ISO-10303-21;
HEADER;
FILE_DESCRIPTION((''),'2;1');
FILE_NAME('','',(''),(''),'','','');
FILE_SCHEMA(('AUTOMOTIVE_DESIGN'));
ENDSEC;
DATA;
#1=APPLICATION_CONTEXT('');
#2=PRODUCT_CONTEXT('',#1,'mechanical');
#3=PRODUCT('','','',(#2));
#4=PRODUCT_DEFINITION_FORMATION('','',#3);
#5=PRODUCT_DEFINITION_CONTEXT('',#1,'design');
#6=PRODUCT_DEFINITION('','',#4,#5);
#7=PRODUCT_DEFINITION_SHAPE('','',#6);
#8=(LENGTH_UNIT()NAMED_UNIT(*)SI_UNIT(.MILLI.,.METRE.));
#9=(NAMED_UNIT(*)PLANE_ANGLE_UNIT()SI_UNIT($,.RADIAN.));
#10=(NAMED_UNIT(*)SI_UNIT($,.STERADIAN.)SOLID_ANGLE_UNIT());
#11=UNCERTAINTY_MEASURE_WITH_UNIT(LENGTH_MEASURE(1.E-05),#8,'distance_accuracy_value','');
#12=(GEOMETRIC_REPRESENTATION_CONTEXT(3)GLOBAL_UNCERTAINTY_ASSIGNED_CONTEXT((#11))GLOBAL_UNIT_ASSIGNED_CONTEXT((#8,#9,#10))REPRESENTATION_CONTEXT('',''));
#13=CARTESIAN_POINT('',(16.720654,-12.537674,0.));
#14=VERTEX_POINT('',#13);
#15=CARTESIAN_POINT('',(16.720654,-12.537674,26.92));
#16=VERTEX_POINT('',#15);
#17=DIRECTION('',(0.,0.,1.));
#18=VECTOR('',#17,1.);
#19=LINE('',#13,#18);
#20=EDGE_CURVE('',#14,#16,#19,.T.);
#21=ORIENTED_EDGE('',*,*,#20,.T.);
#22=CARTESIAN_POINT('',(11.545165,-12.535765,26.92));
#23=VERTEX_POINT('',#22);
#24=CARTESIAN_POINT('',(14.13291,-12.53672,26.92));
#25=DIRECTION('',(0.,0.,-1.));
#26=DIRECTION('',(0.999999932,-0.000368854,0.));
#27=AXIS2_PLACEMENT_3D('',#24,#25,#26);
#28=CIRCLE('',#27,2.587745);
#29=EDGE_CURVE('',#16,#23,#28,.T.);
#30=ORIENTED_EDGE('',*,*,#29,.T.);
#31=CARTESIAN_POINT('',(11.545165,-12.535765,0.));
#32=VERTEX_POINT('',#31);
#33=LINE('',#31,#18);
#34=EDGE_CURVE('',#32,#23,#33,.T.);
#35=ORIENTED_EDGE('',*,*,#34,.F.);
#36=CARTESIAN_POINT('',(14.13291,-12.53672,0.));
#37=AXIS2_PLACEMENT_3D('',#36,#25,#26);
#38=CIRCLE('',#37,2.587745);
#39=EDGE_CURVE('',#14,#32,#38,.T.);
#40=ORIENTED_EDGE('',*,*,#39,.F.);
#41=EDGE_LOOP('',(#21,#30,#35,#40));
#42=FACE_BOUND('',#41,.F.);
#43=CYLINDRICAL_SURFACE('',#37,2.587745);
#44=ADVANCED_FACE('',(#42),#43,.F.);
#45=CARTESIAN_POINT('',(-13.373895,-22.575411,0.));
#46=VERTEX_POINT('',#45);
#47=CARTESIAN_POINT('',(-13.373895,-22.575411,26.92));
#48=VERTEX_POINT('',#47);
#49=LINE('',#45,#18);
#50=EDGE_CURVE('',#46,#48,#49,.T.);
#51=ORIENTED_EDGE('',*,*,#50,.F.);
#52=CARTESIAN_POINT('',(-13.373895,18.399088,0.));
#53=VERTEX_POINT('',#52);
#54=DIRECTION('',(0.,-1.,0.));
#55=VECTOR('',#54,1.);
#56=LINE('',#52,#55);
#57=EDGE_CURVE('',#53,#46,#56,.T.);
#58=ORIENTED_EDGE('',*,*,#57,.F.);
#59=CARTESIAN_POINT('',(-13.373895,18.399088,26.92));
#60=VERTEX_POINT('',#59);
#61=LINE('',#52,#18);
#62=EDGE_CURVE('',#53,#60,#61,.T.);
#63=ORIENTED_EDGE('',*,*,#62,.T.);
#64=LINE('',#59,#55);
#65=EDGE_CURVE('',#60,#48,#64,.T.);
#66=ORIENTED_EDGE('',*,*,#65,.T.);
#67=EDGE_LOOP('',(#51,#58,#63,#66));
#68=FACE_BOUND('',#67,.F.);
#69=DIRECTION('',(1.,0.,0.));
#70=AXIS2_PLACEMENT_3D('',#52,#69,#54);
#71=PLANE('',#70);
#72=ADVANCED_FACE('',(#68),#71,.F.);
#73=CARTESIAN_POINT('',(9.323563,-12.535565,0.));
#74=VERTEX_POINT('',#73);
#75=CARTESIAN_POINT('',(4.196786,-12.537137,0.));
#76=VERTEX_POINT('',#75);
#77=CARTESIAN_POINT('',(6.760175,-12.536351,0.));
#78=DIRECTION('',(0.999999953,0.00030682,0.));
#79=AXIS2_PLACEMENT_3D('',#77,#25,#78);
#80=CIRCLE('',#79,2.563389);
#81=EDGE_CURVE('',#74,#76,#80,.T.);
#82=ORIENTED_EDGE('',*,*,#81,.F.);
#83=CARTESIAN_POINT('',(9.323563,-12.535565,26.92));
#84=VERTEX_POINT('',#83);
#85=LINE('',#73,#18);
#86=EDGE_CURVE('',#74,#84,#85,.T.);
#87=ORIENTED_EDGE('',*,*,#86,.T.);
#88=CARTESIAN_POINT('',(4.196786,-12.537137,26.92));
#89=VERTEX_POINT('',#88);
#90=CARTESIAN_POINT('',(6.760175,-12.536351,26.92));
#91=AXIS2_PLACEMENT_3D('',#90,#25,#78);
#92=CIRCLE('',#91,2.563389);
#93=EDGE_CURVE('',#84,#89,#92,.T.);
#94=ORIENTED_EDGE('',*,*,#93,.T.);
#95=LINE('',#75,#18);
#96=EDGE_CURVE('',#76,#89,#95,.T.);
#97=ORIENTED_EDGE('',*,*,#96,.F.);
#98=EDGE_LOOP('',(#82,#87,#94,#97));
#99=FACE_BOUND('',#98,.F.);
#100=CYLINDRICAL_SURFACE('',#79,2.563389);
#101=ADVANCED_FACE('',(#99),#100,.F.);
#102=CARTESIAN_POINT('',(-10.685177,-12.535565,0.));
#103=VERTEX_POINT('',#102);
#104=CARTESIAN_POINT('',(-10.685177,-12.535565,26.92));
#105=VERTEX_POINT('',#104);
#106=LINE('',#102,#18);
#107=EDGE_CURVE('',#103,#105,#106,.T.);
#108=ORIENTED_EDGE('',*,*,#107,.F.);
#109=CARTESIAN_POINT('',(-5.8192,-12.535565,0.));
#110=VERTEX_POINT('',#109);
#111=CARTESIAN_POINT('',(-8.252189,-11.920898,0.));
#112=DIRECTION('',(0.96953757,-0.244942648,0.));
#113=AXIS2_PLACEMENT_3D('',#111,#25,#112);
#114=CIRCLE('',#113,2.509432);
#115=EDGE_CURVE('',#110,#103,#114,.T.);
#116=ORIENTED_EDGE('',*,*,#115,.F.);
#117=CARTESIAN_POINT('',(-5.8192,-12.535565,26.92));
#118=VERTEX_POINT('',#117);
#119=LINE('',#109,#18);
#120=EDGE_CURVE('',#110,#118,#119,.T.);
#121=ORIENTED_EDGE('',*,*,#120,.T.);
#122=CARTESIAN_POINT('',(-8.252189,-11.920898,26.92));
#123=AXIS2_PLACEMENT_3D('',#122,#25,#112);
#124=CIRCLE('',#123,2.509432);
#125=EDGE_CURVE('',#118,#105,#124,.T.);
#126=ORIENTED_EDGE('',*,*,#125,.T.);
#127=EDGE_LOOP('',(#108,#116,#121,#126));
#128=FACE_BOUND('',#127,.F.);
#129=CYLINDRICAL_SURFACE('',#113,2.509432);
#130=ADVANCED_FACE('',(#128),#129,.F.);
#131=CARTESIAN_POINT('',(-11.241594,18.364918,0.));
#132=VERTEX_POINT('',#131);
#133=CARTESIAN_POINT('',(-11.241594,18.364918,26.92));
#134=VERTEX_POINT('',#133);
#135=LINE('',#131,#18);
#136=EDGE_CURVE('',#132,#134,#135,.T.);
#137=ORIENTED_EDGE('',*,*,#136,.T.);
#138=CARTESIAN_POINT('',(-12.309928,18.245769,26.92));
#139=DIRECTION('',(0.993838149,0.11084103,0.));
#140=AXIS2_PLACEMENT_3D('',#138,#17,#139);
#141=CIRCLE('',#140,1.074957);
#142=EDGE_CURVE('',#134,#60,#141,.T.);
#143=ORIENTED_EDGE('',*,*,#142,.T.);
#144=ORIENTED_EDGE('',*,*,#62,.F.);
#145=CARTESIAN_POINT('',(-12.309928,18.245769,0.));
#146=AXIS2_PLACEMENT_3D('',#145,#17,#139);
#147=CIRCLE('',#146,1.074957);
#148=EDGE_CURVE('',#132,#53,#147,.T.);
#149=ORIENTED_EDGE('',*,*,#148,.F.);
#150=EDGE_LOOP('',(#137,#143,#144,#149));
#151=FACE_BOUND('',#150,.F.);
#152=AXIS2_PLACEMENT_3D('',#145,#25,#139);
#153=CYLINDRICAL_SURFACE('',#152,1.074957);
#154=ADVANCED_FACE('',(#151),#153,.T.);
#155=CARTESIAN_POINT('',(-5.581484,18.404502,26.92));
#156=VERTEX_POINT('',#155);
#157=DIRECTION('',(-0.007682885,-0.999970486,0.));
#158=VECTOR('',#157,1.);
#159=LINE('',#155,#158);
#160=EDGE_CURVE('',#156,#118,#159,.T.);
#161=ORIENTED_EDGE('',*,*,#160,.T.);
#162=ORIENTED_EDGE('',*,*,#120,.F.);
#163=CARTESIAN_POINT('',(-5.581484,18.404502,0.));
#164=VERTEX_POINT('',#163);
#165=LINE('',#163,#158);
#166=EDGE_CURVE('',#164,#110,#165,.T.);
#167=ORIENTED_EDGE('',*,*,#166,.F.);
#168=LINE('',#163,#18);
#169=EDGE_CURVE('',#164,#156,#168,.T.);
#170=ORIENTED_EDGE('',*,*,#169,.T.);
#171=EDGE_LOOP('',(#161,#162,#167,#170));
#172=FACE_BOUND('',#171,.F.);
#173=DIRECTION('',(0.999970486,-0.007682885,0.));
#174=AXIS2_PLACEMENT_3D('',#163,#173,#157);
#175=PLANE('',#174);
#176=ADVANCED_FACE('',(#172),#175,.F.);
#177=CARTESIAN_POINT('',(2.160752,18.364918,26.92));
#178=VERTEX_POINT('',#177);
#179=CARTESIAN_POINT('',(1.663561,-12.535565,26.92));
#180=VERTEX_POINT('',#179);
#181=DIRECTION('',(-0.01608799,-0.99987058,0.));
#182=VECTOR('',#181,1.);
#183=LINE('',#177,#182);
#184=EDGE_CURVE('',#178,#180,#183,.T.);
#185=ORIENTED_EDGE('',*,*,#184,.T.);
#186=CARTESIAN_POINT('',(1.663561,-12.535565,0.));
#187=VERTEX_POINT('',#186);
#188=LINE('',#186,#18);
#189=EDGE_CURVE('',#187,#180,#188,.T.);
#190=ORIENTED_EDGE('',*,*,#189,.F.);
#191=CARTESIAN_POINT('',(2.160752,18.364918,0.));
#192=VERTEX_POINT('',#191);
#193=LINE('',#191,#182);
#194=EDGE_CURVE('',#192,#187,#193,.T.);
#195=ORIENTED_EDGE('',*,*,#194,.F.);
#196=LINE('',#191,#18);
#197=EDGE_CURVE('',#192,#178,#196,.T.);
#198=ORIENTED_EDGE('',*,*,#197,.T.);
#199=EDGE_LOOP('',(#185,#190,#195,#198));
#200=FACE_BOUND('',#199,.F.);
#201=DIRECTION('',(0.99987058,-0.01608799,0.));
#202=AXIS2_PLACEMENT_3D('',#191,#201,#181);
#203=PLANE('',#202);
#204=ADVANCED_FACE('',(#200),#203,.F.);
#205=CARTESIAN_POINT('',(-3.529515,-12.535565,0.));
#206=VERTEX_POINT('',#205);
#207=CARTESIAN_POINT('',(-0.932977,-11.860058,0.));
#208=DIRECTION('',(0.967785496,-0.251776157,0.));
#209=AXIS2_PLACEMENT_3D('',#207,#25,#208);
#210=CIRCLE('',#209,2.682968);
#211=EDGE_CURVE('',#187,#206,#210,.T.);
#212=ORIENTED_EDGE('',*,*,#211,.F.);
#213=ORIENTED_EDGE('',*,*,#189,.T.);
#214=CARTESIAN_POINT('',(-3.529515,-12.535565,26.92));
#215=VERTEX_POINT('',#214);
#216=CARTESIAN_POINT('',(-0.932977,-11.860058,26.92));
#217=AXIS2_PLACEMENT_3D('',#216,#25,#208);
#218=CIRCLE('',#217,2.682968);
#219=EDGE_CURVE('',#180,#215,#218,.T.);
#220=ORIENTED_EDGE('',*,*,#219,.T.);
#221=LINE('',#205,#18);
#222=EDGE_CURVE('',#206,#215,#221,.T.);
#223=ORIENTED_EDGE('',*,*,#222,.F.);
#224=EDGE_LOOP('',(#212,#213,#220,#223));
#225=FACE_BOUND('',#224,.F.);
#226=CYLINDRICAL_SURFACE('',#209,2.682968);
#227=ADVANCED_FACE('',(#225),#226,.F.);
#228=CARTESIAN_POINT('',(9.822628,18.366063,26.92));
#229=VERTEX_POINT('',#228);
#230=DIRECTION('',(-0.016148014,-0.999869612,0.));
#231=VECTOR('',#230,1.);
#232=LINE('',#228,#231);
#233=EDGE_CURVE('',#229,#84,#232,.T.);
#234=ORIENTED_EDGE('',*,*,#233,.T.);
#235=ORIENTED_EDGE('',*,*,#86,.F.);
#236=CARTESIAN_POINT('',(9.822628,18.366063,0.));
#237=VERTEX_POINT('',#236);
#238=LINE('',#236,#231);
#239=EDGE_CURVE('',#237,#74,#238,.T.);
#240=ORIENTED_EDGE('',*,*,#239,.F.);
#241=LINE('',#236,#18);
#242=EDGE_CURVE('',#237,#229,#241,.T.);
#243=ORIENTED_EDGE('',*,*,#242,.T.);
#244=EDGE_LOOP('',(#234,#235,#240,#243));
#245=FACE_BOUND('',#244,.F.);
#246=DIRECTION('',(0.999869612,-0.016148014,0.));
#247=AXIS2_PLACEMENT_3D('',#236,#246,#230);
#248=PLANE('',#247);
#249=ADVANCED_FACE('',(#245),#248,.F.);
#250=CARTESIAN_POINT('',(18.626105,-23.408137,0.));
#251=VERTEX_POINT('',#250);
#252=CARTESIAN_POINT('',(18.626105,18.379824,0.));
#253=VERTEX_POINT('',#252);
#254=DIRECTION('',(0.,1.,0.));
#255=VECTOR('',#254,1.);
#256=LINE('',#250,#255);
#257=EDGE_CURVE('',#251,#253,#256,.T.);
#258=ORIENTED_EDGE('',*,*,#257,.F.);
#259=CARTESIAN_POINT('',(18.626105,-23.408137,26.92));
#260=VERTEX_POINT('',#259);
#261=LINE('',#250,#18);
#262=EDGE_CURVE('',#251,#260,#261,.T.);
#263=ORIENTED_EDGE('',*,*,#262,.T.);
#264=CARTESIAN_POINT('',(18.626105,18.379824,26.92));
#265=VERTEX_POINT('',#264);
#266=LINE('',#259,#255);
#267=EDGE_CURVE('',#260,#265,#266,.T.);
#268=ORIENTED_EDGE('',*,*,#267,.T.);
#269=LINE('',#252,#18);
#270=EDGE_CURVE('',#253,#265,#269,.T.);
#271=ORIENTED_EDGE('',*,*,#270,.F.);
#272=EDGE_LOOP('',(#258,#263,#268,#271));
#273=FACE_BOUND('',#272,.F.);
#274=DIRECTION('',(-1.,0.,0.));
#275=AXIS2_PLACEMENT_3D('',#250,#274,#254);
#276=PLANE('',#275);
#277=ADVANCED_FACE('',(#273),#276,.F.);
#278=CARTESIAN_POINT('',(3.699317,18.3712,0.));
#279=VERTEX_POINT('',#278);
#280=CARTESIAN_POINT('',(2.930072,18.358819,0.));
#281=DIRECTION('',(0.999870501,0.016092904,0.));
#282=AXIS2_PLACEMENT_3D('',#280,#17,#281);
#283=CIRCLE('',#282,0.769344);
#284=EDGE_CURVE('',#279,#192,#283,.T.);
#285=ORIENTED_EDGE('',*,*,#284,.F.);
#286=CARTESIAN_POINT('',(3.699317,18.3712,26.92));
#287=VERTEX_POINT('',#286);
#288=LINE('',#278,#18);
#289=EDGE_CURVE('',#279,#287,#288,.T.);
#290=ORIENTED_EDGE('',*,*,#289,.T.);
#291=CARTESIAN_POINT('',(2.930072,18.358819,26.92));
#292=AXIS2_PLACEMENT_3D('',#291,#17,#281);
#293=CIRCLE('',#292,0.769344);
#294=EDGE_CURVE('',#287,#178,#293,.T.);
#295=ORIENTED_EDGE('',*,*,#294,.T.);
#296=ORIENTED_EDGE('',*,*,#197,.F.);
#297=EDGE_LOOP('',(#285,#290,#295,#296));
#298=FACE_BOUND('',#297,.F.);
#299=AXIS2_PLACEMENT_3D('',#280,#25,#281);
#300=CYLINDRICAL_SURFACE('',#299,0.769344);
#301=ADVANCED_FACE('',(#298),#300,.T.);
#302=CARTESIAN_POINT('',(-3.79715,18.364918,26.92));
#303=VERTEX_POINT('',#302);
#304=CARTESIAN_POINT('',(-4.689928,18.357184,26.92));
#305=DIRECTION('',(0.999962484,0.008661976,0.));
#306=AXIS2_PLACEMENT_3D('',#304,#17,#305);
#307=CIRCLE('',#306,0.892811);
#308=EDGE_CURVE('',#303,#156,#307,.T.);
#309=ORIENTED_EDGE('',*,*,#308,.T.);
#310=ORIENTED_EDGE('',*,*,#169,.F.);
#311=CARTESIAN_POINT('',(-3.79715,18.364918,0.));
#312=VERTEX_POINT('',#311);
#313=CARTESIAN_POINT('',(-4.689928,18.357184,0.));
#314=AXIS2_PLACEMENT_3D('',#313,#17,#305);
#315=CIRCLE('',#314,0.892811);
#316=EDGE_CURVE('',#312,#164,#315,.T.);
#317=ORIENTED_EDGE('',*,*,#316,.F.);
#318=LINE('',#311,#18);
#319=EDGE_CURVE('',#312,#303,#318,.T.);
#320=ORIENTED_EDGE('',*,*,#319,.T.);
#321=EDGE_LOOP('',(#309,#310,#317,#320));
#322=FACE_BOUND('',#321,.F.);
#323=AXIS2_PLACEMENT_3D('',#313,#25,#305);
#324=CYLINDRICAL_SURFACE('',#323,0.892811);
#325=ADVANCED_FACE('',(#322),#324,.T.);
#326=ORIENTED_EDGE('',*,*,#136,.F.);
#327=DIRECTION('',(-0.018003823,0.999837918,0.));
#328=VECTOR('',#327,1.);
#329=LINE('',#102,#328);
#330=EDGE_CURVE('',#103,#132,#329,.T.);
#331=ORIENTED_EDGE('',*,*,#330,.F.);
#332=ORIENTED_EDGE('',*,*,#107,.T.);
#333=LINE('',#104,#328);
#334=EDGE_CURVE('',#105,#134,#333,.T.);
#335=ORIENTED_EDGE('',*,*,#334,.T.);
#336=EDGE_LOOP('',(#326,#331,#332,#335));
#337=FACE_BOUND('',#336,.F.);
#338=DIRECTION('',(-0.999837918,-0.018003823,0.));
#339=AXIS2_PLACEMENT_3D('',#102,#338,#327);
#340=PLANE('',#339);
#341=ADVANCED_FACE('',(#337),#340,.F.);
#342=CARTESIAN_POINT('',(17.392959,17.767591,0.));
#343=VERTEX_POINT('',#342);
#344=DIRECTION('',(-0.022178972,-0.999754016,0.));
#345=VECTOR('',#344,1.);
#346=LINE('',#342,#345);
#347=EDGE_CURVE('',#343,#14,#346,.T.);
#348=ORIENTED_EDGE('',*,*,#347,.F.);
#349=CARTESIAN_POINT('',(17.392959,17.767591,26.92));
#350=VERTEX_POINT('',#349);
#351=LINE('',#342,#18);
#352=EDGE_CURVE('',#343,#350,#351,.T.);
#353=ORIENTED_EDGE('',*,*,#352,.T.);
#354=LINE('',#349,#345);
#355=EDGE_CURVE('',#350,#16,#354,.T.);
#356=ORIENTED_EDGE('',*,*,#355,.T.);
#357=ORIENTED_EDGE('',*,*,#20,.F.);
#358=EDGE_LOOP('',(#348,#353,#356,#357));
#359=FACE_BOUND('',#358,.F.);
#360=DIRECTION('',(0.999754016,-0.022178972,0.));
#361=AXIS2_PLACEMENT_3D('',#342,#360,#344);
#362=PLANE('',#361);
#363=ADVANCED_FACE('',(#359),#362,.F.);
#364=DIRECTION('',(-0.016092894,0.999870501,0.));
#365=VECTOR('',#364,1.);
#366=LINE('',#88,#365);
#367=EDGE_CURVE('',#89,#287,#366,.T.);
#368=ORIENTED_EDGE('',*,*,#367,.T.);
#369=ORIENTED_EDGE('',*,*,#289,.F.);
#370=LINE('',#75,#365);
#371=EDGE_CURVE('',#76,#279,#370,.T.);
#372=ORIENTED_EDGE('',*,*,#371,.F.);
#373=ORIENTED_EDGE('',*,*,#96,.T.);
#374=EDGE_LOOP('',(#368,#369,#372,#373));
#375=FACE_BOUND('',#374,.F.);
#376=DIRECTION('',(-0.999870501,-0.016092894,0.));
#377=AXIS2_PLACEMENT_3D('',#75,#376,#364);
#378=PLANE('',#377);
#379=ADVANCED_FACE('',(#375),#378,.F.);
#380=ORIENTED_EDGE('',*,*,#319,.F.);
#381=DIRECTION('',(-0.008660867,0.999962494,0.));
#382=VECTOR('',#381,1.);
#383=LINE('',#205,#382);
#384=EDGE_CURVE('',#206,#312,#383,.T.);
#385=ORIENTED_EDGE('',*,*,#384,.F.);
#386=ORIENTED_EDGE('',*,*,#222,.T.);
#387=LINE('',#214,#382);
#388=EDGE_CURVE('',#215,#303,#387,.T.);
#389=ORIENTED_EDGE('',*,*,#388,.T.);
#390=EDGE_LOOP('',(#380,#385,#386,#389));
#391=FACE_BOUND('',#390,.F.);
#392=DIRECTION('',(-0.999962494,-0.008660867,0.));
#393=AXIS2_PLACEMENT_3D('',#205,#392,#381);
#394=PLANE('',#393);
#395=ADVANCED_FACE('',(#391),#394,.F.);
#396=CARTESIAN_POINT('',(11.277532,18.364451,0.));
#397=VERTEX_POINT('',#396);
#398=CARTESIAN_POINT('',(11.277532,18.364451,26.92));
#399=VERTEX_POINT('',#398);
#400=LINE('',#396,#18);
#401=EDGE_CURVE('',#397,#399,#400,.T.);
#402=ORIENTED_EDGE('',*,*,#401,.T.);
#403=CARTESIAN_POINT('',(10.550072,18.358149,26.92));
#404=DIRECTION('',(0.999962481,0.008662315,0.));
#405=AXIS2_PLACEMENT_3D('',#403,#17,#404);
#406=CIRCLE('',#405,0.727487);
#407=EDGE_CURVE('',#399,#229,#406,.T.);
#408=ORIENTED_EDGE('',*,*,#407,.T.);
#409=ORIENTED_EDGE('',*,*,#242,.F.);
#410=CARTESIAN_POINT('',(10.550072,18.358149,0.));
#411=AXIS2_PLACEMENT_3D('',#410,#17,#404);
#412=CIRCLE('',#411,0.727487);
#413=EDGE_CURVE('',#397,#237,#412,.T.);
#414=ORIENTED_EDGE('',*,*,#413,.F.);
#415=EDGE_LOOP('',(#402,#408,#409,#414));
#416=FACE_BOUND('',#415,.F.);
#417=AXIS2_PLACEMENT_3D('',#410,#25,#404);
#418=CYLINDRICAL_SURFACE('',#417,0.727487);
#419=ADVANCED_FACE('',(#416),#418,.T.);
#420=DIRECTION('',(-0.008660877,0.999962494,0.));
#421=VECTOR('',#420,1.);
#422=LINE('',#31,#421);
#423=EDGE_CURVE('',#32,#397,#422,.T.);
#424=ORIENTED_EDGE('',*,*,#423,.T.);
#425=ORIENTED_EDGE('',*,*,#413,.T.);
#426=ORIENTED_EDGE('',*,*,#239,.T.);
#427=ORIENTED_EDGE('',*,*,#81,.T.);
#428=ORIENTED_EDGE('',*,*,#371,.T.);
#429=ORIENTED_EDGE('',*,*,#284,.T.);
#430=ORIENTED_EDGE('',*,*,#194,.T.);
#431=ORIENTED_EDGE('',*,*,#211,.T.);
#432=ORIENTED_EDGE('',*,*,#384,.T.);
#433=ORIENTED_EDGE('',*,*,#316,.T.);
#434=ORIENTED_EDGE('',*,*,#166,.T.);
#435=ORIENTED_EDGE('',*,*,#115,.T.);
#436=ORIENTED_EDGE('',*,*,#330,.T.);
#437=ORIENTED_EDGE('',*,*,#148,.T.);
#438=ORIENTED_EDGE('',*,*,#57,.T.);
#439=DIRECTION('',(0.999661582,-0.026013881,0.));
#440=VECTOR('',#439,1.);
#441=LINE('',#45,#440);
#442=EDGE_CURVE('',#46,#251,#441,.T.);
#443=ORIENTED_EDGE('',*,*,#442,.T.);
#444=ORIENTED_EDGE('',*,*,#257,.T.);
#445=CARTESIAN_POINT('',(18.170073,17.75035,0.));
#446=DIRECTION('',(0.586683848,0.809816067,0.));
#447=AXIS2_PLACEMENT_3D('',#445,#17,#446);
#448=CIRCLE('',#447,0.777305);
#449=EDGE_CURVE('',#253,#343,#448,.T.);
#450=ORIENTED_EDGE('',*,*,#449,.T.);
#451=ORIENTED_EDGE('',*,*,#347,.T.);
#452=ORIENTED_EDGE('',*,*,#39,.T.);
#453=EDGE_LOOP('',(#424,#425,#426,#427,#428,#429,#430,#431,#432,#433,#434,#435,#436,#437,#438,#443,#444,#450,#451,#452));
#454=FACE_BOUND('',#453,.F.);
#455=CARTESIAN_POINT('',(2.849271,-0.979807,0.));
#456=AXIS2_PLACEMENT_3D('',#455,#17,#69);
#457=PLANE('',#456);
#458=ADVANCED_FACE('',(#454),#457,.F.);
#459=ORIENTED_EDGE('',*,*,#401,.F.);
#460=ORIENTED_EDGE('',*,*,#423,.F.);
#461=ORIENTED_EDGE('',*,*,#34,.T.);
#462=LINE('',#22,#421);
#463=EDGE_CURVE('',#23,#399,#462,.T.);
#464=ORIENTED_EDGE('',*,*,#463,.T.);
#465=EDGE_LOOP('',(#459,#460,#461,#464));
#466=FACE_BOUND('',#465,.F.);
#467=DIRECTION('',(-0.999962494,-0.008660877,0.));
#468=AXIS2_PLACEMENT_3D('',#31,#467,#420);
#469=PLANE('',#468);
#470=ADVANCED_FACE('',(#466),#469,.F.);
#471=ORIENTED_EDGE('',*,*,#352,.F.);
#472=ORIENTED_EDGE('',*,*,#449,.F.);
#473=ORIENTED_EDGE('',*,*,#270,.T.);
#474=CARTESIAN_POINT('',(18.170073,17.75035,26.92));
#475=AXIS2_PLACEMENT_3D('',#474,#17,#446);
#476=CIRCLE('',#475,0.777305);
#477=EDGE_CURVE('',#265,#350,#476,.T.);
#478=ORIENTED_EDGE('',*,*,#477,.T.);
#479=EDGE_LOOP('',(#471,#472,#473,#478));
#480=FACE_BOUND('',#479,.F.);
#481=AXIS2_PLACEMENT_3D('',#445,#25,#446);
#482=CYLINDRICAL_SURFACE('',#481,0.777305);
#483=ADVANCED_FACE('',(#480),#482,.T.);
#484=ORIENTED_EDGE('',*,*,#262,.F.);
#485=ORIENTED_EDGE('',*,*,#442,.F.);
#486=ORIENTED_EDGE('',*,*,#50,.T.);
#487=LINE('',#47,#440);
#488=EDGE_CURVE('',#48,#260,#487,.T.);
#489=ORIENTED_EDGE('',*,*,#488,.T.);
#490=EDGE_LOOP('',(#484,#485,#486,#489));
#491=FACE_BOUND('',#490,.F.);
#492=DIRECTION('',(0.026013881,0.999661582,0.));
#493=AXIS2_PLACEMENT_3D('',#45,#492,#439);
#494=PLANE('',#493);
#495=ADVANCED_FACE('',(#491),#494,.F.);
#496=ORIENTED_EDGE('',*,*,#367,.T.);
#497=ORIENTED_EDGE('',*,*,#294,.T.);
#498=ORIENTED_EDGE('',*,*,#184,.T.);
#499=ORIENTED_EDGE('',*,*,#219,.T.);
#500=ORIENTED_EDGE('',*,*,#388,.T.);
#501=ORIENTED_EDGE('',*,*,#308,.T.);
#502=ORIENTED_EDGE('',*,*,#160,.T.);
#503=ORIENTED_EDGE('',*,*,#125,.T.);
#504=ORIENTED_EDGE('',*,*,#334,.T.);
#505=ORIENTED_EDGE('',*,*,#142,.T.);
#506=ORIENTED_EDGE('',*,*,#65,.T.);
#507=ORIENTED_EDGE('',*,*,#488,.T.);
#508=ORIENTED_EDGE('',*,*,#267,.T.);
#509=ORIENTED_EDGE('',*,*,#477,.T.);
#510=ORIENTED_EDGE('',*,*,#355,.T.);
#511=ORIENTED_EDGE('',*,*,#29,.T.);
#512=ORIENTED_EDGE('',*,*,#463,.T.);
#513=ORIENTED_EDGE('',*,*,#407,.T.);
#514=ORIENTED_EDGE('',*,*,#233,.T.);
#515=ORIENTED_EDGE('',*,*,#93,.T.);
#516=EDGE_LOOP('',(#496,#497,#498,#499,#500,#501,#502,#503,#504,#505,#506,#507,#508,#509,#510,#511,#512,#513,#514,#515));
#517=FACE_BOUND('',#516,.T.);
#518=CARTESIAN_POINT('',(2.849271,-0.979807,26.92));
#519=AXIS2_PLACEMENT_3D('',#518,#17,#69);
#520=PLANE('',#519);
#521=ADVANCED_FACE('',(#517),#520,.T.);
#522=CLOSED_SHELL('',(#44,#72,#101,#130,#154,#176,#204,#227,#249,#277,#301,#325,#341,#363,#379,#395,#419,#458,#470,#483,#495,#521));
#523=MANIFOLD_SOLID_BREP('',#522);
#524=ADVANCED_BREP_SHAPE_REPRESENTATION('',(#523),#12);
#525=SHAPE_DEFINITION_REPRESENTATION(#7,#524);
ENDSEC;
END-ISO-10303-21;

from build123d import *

# Parameters (mm, degrees)
F1_DEPTH = 26.92


with BuildPart() as f1:
    # F0 (on Top) → F1 (new body)
    with BuildSketch(Plane.XY):
        with BuildLine():
            ThreePointArc((-11.241594, 18.364918), (-12.292704, 19.320588), (-13.373895, 18.399088))
            Line((-13.373895, 18.399088), (-13.373895, -22.575411))
            Line((-13.373895, -22.575411), (18.626105, -23.408137))
            Line((18.626105, -23.408137), (18.626105, 18.379824))
            ThreePointArc((18.626105, 18.379824), (17.824413, 18.44657), (17.392959, 17.767591))
            Line((17.392959, 17.767591), (16.720654, -12.537674))
            ThreePointArc((16.720654, -12.537674), (14.131955, -15.124464), (11.545165, -12.535765))
            Line((11.545165, -12.535765), (11.277532, 18.364451))
            ThreePointArc((11.277532, 18.364451), (10.550878, 19.085636), (9.822628, 18.366063))
            Line((9.822628, 18.366063), (9.323563, -12.535565))
            ThreePointArc((9.323563, -12.535565), (6.76096, -15.09974), (4.196786, -12.537137))
            Line((4.196786, -12.537137), (3.699317, 18.3712))
            ThreePointArc((3.699317, 18.3712), (2.92693, 19.128157), (2.160752, 18.364918))
            Line((2.160752, 18.364918), (1.663561, -12.535565))
            ThreePointArc((1.663561, -12.535565), (-0.932977, -14.543026), (-3.529515, -12.535565))
            Line((-3.529515, -12.535565), (-3.79715, 18.364918))
            ThreePointArc((-3.79715, 18.364918), (-4.670126, 19.249776), (-5.581484, 18.404502))
            Line((-5.581484, 18.404502), (-5.8192, -12.535565))
            ThreePointArc((-5.8192, -12.535565), (-8.252189, -14.43033), (-10.685177, -12.535565))
            Line((-10.685177, -12.535565), (-11.241594, 18.364918))
        make_face()
    extrude(amount=F1_DEPTH)


solid = f1.part
